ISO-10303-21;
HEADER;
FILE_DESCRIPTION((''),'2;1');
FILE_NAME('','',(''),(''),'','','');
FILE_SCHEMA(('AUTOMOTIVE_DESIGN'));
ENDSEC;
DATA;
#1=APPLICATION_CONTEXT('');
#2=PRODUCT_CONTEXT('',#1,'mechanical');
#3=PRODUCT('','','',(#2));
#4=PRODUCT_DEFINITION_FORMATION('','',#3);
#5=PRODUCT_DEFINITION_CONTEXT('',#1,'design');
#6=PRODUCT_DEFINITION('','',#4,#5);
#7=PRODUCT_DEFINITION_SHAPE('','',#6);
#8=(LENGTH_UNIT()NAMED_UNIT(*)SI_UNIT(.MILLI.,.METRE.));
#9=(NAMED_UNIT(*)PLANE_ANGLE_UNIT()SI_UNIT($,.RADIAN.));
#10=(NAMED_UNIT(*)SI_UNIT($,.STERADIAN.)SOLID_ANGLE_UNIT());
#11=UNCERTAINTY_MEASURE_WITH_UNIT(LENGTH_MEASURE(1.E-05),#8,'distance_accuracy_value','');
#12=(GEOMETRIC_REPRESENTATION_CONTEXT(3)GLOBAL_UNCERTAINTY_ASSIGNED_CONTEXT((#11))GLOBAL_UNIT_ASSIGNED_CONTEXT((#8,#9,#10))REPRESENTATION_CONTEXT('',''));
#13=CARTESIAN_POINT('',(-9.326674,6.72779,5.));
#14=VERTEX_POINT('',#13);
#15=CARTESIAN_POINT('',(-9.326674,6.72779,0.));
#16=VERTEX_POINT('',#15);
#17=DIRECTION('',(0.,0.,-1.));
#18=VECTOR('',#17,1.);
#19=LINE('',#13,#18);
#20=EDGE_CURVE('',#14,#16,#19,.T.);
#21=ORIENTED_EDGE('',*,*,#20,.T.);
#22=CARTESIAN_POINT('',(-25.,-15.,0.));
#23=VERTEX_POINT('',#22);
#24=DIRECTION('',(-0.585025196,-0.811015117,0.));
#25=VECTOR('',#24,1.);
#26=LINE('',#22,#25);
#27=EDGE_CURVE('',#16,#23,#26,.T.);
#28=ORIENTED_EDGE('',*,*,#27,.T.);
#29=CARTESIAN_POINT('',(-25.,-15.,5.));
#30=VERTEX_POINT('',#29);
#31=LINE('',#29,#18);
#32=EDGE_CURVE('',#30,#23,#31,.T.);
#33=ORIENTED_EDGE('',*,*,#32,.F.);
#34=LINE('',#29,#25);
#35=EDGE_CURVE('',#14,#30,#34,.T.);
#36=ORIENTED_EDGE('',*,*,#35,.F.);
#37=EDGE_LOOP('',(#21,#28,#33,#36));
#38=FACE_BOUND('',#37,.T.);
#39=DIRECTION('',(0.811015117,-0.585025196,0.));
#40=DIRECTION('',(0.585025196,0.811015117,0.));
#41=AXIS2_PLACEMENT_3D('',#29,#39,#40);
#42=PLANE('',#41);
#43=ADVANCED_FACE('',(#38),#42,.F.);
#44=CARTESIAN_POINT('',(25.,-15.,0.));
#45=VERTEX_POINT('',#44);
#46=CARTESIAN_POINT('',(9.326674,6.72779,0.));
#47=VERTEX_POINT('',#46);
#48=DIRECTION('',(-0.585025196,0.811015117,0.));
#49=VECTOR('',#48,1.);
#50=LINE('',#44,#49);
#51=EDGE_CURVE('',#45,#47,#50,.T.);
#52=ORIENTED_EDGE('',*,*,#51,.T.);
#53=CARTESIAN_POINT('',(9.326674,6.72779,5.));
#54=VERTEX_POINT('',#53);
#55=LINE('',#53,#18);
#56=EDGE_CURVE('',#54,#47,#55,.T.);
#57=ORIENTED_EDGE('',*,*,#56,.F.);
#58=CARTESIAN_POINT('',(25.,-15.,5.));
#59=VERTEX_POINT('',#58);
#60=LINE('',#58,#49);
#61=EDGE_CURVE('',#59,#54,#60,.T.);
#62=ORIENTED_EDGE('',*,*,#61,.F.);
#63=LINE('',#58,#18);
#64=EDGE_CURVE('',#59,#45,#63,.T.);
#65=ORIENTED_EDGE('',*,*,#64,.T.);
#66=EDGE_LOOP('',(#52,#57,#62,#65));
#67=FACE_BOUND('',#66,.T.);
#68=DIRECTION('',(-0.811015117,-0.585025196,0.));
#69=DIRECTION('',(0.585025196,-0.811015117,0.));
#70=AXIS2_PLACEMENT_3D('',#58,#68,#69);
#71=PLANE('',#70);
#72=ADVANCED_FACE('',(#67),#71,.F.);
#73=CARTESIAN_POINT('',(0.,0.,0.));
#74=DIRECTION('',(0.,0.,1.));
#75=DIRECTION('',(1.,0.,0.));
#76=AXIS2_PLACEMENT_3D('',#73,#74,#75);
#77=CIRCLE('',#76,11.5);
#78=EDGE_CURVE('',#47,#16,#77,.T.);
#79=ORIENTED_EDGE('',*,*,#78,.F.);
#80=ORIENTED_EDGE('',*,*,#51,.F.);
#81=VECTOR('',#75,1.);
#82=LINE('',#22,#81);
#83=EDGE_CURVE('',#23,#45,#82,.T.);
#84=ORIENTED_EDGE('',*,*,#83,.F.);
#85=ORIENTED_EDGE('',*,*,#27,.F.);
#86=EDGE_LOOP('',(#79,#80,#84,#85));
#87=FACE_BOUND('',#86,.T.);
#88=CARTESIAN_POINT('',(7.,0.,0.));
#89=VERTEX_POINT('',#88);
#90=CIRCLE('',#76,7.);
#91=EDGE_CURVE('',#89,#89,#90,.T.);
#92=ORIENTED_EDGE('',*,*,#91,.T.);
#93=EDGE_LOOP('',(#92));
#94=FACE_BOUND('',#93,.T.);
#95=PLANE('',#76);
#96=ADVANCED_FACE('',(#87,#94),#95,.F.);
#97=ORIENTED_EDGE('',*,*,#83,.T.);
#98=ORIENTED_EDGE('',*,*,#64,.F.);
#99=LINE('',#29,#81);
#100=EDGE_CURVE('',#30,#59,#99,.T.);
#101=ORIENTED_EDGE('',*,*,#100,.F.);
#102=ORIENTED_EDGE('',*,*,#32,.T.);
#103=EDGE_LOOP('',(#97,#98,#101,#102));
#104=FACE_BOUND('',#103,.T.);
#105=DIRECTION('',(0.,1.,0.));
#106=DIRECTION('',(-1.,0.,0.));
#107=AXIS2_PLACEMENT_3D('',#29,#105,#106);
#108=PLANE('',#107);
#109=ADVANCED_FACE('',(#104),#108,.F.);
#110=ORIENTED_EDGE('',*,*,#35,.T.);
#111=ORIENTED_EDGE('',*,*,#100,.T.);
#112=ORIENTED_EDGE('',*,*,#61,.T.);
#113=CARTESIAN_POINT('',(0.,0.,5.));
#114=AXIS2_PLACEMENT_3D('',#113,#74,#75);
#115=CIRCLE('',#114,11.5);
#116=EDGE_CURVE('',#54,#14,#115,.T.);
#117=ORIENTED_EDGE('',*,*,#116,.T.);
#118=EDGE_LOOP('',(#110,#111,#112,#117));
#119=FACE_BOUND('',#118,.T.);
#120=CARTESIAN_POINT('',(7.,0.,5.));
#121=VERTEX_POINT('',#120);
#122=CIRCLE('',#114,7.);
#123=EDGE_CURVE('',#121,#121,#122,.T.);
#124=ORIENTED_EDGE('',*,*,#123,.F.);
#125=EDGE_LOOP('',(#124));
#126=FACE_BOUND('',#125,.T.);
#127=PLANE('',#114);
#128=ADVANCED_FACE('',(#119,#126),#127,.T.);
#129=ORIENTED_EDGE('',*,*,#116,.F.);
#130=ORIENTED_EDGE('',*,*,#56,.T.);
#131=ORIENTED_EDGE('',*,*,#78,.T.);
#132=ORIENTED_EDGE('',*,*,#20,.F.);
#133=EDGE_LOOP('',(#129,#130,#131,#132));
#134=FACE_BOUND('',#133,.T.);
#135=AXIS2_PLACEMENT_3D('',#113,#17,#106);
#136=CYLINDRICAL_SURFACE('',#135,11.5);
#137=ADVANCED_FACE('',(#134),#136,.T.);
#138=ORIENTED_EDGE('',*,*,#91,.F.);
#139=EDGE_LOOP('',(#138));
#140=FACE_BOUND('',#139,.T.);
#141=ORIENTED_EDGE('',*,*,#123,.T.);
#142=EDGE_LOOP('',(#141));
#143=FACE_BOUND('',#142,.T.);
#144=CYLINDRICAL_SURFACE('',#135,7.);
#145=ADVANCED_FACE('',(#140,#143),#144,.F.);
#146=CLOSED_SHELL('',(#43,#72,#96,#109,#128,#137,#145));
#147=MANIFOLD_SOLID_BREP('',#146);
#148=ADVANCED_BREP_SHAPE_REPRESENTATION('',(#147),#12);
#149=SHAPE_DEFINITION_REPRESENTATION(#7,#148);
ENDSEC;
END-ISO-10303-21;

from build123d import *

# Parameters (mm, degrees)
SKETCH1_R           = 7
BOSS_EXTRUDE1_DEPTH = 5


with BuildPart() as part:
    # Sketch1 → Boss-Extrude1 (new body)
    with BuildSketch(Plane.XY):
        with BuildLine():
            Line((-25, -15), (25, -15))
            Line((25, -15), (9.326673849, 6.727789749))
            ThreePointArc((9.326673849, 6.727789749), (0, 11.5), (-9.326673849, 6.727789749))
            Line((-9.326673849, 6.727789749), (-25, -15))
        make_face()
        Circle(SKETCH1_R, mode=Mode.SUBTRACT)
    extrude(amount=BOSS_EXTRUDE1_DEPTH)


solid = part.part
